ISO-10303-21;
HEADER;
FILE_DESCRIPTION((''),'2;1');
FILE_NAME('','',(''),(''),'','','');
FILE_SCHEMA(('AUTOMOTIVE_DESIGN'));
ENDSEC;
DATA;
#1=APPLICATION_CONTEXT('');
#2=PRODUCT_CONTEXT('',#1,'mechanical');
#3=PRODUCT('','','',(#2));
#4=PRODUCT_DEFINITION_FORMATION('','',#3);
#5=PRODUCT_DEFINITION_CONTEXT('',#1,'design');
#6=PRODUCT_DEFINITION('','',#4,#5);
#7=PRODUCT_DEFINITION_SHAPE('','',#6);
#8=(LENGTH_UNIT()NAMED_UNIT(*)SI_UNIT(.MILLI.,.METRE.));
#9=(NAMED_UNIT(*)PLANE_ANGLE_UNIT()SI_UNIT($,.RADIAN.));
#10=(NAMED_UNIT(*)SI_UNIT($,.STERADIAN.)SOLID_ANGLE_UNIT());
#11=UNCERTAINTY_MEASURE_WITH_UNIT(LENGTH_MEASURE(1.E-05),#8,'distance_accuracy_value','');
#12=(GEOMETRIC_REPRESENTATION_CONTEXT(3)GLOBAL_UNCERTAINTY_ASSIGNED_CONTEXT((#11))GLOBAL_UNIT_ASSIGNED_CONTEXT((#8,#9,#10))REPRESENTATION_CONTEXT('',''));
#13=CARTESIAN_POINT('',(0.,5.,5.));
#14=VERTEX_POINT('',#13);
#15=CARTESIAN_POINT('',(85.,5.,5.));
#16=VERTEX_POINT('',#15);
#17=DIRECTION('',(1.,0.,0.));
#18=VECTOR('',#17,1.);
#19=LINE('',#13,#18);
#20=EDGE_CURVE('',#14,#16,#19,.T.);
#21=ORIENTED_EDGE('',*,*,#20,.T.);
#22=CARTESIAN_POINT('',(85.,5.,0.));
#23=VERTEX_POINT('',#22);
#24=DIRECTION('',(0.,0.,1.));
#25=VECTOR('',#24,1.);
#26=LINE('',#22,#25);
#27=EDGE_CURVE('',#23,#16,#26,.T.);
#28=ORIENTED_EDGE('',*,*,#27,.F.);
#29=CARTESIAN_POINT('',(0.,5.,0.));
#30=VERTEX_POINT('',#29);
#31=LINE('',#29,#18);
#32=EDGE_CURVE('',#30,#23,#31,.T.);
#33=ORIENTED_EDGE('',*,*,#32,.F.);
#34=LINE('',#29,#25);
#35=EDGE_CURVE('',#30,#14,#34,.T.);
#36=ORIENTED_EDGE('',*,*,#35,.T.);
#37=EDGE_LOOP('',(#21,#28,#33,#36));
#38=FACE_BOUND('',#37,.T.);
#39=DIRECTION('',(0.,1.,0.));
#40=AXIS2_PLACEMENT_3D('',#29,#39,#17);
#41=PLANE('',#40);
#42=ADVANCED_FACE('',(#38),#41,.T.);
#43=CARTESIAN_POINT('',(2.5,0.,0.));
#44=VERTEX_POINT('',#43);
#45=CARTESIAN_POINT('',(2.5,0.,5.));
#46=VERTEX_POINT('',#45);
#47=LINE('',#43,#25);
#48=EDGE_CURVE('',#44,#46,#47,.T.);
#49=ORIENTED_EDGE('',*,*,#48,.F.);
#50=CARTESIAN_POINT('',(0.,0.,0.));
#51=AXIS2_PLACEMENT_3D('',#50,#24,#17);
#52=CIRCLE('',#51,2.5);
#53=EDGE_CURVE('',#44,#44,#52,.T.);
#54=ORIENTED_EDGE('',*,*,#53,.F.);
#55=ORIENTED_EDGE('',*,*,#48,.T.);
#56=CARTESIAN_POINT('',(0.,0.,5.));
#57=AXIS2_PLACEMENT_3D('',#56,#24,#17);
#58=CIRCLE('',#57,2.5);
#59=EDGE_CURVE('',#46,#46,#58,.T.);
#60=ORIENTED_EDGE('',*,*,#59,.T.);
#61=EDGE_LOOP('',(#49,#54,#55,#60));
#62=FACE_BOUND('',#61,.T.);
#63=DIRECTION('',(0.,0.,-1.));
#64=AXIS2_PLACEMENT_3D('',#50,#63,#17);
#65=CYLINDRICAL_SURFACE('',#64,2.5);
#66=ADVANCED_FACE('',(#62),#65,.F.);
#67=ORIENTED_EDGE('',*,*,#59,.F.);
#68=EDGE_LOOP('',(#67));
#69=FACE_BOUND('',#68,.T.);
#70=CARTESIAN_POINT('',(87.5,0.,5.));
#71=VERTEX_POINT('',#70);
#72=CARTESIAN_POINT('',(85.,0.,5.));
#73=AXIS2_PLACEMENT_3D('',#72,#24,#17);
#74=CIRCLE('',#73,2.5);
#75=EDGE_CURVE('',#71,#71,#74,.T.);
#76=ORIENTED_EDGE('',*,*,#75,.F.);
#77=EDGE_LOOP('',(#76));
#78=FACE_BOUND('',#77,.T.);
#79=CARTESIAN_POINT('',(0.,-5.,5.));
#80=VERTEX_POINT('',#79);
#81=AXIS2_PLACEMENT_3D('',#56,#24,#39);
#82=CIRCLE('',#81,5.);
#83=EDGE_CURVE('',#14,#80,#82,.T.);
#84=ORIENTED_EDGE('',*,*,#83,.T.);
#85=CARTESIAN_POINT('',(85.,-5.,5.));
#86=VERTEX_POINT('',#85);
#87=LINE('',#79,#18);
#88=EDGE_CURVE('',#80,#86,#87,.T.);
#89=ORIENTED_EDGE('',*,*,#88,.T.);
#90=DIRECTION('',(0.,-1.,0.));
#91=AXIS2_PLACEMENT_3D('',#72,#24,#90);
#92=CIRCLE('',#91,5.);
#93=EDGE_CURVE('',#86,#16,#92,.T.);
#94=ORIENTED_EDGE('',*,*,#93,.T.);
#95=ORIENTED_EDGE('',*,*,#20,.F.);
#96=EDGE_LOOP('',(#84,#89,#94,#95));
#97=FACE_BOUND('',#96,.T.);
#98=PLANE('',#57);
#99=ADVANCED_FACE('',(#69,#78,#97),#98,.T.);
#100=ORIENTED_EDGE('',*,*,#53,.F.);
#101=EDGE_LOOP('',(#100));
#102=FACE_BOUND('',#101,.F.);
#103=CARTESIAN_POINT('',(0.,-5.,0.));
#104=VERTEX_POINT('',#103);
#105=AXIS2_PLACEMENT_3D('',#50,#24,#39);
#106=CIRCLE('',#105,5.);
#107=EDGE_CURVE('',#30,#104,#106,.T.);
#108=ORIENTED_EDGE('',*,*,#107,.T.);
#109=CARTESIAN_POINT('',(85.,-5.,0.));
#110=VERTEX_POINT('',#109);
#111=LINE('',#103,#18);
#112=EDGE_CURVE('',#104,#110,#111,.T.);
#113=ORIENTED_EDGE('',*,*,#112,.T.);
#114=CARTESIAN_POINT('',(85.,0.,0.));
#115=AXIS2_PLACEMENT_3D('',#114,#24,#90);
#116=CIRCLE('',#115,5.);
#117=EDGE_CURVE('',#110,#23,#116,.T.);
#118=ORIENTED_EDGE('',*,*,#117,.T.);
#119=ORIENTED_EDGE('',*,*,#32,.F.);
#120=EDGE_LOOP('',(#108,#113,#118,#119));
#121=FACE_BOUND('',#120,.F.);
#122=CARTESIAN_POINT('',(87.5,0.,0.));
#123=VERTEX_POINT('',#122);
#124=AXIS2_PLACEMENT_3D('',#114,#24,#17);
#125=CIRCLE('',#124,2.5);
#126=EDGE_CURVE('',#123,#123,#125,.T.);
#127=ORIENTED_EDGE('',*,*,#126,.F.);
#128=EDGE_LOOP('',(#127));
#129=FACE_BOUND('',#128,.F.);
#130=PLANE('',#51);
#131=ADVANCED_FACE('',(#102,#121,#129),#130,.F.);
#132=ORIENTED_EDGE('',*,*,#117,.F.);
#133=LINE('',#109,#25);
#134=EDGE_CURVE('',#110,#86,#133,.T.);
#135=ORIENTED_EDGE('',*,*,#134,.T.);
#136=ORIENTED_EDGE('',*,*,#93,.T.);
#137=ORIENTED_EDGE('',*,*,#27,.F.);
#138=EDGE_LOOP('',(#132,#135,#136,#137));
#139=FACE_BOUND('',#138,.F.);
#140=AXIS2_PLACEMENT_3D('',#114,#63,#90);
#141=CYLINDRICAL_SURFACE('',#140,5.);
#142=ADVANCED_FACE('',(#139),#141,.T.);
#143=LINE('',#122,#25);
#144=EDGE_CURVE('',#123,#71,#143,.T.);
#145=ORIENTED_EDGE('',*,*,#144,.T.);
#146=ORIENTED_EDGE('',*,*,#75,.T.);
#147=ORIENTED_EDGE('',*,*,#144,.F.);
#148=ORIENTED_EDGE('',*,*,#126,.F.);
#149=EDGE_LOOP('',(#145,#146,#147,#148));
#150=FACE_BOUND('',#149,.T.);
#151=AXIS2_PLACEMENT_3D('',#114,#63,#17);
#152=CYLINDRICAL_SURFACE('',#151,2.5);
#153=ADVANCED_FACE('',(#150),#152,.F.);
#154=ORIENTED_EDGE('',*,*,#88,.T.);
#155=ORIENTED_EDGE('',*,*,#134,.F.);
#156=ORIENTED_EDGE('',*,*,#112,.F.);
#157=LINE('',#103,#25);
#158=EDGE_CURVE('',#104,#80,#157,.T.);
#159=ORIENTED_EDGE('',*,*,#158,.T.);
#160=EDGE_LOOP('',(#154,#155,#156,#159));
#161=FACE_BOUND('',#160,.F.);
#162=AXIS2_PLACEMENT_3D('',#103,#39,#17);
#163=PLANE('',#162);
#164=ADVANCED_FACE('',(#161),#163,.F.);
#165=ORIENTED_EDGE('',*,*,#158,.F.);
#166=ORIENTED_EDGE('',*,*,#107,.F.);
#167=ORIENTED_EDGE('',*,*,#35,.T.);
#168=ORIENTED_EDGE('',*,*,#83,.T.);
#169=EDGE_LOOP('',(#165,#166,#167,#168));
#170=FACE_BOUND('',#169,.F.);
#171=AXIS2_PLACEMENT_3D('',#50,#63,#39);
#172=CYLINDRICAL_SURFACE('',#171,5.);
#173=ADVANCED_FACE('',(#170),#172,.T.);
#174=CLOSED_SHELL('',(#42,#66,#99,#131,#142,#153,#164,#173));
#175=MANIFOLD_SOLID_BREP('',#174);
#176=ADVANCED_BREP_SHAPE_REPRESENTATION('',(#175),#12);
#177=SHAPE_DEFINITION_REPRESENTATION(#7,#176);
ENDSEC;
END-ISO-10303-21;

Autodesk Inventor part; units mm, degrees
ref_plane "YZ Plane" through (0, 0, 0) normal (1, 0, 0) x (0, 1, 0)
ref_plane "XZ Plane" through (0, 0, 0) normal (0, 1, 0) x (-1, 0, 0)
ref_plane "XY Plane" through (0, 0, 0) normal (0, 0, 1) x (1, 0, 0)
sketch "Boceto1" plane through (0, 0, 0) normal (0, 0, 1) x (1, 0, 0)
  arc A0 (0, 5) -> (0, -5) centre (0, 0) ccw
  arc A1 (85, -5) -> (85, 5) centre (85, 0) ccw
  line L0 (0, 5) -> (85, 5)
  line L1 (0, -5) -> (85, -5)
  circle A2 centre (0, 0) radius 2.5
  circle A3 centre (85, 0) radius 2.5
  dimension "d1" = 10
  dimension "d2" = 10
  dimension "d3" = 5
  dimension "d4" = 5
  dimension "d7" = 85
extrude "Extrusión1" add sketch "Boceto1" along normal blind 5
